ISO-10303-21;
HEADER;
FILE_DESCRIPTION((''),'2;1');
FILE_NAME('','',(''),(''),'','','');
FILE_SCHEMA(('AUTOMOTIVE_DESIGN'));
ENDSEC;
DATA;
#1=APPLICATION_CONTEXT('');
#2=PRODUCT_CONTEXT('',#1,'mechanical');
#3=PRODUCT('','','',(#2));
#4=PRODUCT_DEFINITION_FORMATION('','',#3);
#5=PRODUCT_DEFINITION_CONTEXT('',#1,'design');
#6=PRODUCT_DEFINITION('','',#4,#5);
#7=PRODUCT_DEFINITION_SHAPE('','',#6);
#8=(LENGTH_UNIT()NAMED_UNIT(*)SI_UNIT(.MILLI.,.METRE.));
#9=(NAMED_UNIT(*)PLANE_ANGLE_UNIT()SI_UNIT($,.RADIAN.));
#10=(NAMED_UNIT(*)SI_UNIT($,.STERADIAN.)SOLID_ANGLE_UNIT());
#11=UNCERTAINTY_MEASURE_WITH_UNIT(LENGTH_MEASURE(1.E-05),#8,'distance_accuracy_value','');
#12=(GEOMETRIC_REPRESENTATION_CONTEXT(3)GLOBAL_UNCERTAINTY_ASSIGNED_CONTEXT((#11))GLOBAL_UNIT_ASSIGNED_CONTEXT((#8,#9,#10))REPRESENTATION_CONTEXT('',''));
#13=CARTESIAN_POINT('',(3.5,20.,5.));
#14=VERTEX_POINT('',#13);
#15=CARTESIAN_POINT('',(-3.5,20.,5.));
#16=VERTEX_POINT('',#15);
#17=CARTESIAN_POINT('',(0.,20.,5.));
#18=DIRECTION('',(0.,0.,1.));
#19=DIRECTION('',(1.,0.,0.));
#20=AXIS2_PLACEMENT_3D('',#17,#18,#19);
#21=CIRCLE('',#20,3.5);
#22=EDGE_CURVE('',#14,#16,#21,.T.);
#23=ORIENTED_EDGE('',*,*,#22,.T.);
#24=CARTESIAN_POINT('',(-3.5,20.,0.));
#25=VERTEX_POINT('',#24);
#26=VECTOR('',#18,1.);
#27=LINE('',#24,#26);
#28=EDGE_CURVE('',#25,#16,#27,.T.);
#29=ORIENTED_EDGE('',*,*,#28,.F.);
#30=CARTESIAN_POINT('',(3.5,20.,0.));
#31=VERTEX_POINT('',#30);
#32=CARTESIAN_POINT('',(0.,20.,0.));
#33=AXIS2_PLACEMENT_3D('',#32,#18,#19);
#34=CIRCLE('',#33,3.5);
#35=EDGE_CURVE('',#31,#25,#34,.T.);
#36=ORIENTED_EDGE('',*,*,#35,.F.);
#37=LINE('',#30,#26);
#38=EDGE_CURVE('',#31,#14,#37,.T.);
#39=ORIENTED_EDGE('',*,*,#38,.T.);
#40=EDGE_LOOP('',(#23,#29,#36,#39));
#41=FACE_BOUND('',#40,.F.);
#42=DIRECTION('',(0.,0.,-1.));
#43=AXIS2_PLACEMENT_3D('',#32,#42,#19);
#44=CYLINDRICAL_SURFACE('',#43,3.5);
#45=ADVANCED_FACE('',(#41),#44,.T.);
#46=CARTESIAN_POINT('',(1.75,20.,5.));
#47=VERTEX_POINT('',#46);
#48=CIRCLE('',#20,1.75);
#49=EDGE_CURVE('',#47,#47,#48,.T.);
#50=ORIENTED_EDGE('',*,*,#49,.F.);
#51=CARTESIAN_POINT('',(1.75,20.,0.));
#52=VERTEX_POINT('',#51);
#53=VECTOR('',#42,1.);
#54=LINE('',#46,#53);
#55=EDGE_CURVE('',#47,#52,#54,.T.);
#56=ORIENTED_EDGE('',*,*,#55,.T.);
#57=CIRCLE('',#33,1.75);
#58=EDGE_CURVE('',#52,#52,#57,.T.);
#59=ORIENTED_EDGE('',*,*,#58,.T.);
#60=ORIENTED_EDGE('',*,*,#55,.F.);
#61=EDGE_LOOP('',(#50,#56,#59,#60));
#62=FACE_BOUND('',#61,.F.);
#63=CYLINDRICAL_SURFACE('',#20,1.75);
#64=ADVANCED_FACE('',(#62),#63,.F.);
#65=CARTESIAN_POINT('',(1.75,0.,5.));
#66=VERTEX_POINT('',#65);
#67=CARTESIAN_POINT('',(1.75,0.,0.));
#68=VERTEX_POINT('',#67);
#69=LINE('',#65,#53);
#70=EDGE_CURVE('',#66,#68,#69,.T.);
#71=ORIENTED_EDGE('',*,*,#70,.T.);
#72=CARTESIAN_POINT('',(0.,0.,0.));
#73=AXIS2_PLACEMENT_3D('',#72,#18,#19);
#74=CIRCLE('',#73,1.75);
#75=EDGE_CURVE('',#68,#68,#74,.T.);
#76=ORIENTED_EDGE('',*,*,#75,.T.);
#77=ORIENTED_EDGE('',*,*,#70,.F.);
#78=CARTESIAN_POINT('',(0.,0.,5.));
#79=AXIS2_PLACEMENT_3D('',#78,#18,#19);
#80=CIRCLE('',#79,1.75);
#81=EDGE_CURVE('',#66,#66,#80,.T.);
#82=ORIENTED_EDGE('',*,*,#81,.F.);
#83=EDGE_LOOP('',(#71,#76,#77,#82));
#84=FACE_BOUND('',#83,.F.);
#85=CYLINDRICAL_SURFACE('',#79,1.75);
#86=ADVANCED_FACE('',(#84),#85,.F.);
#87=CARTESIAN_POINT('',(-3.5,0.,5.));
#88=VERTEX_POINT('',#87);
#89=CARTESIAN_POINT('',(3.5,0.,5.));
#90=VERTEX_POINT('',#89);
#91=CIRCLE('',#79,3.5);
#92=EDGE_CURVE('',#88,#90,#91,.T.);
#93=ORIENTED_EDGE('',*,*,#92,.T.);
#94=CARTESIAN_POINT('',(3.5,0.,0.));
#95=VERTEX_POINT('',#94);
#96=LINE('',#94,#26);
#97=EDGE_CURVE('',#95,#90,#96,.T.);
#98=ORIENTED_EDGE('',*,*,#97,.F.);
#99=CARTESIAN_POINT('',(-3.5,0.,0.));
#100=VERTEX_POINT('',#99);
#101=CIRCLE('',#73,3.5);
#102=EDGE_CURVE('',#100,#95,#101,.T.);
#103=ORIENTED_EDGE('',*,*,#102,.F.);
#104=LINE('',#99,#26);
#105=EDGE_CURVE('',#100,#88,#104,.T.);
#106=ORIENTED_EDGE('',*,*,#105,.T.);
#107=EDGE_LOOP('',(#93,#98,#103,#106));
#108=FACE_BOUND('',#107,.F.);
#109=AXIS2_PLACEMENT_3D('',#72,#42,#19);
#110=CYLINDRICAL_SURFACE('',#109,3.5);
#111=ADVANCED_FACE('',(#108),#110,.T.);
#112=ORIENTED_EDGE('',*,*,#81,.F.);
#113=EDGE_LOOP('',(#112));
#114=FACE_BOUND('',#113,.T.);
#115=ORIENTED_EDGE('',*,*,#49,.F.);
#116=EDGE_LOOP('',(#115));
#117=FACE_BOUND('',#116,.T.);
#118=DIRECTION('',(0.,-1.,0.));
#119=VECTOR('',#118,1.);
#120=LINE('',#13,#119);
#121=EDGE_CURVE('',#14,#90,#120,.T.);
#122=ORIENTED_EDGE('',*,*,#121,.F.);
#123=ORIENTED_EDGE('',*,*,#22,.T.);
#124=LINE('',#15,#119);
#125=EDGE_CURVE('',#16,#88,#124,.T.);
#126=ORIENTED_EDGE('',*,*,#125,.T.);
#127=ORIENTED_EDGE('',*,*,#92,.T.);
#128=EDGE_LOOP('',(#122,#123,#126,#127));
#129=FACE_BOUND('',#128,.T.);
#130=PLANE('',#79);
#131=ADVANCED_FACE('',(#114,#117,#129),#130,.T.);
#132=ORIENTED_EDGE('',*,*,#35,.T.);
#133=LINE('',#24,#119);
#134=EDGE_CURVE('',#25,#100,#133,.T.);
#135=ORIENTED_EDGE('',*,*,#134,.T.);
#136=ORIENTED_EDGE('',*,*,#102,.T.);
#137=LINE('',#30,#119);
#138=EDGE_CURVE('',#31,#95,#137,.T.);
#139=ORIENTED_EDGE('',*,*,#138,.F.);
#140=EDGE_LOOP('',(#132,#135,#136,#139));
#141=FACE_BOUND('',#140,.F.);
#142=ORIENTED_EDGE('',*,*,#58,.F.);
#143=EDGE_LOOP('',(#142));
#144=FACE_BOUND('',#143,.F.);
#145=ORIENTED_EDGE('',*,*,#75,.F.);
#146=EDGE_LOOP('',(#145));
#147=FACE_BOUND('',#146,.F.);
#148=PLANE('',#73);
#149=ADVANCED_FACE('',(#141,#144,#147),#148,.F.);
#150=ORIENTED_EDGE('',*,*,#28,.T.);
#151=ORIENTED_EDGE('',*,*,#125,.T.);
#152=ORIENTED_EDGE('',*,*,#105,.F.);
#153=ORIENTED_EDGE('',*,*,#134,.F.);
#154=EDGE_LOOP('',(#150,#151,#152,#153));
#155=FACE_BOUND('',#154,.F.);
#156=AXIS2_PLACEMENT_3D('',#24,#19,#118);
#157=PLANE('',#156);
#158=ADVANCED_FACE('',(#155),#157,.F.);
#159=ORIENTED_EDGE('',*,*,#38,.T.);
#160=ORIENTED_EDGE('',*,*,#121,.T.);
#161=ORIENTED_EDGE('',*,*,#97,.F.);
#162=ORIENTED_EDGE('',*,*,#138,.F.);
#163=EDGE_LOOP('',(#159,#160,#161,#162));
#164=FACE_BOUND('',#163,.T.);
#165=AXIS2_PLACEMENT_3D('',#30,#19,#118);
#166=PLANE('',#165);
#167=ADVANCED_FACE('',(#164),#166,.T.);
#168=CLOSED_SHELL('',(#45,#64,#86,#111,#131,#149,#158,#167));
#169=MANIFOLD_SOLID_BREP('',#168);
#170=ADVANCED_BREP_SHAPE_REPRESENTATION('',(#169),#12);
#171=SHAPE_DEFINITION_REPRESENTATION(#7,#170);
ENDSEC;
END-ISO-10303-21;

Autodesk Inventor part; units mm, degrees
ref_plane "YZ Plane" through (0, 0, 0) normal (1, 0, 0) x (0, 1, 0)
ref_plane "XZ Plane" through (0, 0, 0) normal (0, 1, 0) x (-1, 0, 0)
ref_plane "XY Plane" through (0, 0, 0) normal (0, 0, 1) x (1, 0, 0)
sketch "Sketch1" plane through (0, 0, 0) normal (0, 0, 1) x (1, 0, 0)
  circle A0 centre (0, 0) radius 3.5
  line L0 (0, 0) -> (0, 20)
  circle A1 centre (0, 20) radius 3.5
  line L1 (-3.5, 20) -> (-3.5, 0)
  line L2 (0, 20) -> (3.5, 20)
  line L3 (3.5, 20) -> (3.5, 0)
  dimension "d0" = 7
  dimension "d1" = 20
  dimension "d2" = 7
extrude "Extrusion1" add sketch "Sketch1" along normal blind 5
sketch "Sketch2" plane through (0, 0, 5) normal (0, 0, 1) x (1, 0, 0)
  arc A0 (3.5, 20) -> (-3.5, 20) centre (0, 20) ccw projected
  circle A1 centre (0, 20) radius 1.75
  arc A2 (-3.5, 0) -> (3.5, 0) centre (0, 0) ccw projected
  circle A3 centre (0, 0) radius 1.75
  dimension "d5" = 3.5
  dimension "d6" = 3.5
extrude "Extrusion2" cut sketch "Sketch2" against normal blind 5
properties part number "barMini"
